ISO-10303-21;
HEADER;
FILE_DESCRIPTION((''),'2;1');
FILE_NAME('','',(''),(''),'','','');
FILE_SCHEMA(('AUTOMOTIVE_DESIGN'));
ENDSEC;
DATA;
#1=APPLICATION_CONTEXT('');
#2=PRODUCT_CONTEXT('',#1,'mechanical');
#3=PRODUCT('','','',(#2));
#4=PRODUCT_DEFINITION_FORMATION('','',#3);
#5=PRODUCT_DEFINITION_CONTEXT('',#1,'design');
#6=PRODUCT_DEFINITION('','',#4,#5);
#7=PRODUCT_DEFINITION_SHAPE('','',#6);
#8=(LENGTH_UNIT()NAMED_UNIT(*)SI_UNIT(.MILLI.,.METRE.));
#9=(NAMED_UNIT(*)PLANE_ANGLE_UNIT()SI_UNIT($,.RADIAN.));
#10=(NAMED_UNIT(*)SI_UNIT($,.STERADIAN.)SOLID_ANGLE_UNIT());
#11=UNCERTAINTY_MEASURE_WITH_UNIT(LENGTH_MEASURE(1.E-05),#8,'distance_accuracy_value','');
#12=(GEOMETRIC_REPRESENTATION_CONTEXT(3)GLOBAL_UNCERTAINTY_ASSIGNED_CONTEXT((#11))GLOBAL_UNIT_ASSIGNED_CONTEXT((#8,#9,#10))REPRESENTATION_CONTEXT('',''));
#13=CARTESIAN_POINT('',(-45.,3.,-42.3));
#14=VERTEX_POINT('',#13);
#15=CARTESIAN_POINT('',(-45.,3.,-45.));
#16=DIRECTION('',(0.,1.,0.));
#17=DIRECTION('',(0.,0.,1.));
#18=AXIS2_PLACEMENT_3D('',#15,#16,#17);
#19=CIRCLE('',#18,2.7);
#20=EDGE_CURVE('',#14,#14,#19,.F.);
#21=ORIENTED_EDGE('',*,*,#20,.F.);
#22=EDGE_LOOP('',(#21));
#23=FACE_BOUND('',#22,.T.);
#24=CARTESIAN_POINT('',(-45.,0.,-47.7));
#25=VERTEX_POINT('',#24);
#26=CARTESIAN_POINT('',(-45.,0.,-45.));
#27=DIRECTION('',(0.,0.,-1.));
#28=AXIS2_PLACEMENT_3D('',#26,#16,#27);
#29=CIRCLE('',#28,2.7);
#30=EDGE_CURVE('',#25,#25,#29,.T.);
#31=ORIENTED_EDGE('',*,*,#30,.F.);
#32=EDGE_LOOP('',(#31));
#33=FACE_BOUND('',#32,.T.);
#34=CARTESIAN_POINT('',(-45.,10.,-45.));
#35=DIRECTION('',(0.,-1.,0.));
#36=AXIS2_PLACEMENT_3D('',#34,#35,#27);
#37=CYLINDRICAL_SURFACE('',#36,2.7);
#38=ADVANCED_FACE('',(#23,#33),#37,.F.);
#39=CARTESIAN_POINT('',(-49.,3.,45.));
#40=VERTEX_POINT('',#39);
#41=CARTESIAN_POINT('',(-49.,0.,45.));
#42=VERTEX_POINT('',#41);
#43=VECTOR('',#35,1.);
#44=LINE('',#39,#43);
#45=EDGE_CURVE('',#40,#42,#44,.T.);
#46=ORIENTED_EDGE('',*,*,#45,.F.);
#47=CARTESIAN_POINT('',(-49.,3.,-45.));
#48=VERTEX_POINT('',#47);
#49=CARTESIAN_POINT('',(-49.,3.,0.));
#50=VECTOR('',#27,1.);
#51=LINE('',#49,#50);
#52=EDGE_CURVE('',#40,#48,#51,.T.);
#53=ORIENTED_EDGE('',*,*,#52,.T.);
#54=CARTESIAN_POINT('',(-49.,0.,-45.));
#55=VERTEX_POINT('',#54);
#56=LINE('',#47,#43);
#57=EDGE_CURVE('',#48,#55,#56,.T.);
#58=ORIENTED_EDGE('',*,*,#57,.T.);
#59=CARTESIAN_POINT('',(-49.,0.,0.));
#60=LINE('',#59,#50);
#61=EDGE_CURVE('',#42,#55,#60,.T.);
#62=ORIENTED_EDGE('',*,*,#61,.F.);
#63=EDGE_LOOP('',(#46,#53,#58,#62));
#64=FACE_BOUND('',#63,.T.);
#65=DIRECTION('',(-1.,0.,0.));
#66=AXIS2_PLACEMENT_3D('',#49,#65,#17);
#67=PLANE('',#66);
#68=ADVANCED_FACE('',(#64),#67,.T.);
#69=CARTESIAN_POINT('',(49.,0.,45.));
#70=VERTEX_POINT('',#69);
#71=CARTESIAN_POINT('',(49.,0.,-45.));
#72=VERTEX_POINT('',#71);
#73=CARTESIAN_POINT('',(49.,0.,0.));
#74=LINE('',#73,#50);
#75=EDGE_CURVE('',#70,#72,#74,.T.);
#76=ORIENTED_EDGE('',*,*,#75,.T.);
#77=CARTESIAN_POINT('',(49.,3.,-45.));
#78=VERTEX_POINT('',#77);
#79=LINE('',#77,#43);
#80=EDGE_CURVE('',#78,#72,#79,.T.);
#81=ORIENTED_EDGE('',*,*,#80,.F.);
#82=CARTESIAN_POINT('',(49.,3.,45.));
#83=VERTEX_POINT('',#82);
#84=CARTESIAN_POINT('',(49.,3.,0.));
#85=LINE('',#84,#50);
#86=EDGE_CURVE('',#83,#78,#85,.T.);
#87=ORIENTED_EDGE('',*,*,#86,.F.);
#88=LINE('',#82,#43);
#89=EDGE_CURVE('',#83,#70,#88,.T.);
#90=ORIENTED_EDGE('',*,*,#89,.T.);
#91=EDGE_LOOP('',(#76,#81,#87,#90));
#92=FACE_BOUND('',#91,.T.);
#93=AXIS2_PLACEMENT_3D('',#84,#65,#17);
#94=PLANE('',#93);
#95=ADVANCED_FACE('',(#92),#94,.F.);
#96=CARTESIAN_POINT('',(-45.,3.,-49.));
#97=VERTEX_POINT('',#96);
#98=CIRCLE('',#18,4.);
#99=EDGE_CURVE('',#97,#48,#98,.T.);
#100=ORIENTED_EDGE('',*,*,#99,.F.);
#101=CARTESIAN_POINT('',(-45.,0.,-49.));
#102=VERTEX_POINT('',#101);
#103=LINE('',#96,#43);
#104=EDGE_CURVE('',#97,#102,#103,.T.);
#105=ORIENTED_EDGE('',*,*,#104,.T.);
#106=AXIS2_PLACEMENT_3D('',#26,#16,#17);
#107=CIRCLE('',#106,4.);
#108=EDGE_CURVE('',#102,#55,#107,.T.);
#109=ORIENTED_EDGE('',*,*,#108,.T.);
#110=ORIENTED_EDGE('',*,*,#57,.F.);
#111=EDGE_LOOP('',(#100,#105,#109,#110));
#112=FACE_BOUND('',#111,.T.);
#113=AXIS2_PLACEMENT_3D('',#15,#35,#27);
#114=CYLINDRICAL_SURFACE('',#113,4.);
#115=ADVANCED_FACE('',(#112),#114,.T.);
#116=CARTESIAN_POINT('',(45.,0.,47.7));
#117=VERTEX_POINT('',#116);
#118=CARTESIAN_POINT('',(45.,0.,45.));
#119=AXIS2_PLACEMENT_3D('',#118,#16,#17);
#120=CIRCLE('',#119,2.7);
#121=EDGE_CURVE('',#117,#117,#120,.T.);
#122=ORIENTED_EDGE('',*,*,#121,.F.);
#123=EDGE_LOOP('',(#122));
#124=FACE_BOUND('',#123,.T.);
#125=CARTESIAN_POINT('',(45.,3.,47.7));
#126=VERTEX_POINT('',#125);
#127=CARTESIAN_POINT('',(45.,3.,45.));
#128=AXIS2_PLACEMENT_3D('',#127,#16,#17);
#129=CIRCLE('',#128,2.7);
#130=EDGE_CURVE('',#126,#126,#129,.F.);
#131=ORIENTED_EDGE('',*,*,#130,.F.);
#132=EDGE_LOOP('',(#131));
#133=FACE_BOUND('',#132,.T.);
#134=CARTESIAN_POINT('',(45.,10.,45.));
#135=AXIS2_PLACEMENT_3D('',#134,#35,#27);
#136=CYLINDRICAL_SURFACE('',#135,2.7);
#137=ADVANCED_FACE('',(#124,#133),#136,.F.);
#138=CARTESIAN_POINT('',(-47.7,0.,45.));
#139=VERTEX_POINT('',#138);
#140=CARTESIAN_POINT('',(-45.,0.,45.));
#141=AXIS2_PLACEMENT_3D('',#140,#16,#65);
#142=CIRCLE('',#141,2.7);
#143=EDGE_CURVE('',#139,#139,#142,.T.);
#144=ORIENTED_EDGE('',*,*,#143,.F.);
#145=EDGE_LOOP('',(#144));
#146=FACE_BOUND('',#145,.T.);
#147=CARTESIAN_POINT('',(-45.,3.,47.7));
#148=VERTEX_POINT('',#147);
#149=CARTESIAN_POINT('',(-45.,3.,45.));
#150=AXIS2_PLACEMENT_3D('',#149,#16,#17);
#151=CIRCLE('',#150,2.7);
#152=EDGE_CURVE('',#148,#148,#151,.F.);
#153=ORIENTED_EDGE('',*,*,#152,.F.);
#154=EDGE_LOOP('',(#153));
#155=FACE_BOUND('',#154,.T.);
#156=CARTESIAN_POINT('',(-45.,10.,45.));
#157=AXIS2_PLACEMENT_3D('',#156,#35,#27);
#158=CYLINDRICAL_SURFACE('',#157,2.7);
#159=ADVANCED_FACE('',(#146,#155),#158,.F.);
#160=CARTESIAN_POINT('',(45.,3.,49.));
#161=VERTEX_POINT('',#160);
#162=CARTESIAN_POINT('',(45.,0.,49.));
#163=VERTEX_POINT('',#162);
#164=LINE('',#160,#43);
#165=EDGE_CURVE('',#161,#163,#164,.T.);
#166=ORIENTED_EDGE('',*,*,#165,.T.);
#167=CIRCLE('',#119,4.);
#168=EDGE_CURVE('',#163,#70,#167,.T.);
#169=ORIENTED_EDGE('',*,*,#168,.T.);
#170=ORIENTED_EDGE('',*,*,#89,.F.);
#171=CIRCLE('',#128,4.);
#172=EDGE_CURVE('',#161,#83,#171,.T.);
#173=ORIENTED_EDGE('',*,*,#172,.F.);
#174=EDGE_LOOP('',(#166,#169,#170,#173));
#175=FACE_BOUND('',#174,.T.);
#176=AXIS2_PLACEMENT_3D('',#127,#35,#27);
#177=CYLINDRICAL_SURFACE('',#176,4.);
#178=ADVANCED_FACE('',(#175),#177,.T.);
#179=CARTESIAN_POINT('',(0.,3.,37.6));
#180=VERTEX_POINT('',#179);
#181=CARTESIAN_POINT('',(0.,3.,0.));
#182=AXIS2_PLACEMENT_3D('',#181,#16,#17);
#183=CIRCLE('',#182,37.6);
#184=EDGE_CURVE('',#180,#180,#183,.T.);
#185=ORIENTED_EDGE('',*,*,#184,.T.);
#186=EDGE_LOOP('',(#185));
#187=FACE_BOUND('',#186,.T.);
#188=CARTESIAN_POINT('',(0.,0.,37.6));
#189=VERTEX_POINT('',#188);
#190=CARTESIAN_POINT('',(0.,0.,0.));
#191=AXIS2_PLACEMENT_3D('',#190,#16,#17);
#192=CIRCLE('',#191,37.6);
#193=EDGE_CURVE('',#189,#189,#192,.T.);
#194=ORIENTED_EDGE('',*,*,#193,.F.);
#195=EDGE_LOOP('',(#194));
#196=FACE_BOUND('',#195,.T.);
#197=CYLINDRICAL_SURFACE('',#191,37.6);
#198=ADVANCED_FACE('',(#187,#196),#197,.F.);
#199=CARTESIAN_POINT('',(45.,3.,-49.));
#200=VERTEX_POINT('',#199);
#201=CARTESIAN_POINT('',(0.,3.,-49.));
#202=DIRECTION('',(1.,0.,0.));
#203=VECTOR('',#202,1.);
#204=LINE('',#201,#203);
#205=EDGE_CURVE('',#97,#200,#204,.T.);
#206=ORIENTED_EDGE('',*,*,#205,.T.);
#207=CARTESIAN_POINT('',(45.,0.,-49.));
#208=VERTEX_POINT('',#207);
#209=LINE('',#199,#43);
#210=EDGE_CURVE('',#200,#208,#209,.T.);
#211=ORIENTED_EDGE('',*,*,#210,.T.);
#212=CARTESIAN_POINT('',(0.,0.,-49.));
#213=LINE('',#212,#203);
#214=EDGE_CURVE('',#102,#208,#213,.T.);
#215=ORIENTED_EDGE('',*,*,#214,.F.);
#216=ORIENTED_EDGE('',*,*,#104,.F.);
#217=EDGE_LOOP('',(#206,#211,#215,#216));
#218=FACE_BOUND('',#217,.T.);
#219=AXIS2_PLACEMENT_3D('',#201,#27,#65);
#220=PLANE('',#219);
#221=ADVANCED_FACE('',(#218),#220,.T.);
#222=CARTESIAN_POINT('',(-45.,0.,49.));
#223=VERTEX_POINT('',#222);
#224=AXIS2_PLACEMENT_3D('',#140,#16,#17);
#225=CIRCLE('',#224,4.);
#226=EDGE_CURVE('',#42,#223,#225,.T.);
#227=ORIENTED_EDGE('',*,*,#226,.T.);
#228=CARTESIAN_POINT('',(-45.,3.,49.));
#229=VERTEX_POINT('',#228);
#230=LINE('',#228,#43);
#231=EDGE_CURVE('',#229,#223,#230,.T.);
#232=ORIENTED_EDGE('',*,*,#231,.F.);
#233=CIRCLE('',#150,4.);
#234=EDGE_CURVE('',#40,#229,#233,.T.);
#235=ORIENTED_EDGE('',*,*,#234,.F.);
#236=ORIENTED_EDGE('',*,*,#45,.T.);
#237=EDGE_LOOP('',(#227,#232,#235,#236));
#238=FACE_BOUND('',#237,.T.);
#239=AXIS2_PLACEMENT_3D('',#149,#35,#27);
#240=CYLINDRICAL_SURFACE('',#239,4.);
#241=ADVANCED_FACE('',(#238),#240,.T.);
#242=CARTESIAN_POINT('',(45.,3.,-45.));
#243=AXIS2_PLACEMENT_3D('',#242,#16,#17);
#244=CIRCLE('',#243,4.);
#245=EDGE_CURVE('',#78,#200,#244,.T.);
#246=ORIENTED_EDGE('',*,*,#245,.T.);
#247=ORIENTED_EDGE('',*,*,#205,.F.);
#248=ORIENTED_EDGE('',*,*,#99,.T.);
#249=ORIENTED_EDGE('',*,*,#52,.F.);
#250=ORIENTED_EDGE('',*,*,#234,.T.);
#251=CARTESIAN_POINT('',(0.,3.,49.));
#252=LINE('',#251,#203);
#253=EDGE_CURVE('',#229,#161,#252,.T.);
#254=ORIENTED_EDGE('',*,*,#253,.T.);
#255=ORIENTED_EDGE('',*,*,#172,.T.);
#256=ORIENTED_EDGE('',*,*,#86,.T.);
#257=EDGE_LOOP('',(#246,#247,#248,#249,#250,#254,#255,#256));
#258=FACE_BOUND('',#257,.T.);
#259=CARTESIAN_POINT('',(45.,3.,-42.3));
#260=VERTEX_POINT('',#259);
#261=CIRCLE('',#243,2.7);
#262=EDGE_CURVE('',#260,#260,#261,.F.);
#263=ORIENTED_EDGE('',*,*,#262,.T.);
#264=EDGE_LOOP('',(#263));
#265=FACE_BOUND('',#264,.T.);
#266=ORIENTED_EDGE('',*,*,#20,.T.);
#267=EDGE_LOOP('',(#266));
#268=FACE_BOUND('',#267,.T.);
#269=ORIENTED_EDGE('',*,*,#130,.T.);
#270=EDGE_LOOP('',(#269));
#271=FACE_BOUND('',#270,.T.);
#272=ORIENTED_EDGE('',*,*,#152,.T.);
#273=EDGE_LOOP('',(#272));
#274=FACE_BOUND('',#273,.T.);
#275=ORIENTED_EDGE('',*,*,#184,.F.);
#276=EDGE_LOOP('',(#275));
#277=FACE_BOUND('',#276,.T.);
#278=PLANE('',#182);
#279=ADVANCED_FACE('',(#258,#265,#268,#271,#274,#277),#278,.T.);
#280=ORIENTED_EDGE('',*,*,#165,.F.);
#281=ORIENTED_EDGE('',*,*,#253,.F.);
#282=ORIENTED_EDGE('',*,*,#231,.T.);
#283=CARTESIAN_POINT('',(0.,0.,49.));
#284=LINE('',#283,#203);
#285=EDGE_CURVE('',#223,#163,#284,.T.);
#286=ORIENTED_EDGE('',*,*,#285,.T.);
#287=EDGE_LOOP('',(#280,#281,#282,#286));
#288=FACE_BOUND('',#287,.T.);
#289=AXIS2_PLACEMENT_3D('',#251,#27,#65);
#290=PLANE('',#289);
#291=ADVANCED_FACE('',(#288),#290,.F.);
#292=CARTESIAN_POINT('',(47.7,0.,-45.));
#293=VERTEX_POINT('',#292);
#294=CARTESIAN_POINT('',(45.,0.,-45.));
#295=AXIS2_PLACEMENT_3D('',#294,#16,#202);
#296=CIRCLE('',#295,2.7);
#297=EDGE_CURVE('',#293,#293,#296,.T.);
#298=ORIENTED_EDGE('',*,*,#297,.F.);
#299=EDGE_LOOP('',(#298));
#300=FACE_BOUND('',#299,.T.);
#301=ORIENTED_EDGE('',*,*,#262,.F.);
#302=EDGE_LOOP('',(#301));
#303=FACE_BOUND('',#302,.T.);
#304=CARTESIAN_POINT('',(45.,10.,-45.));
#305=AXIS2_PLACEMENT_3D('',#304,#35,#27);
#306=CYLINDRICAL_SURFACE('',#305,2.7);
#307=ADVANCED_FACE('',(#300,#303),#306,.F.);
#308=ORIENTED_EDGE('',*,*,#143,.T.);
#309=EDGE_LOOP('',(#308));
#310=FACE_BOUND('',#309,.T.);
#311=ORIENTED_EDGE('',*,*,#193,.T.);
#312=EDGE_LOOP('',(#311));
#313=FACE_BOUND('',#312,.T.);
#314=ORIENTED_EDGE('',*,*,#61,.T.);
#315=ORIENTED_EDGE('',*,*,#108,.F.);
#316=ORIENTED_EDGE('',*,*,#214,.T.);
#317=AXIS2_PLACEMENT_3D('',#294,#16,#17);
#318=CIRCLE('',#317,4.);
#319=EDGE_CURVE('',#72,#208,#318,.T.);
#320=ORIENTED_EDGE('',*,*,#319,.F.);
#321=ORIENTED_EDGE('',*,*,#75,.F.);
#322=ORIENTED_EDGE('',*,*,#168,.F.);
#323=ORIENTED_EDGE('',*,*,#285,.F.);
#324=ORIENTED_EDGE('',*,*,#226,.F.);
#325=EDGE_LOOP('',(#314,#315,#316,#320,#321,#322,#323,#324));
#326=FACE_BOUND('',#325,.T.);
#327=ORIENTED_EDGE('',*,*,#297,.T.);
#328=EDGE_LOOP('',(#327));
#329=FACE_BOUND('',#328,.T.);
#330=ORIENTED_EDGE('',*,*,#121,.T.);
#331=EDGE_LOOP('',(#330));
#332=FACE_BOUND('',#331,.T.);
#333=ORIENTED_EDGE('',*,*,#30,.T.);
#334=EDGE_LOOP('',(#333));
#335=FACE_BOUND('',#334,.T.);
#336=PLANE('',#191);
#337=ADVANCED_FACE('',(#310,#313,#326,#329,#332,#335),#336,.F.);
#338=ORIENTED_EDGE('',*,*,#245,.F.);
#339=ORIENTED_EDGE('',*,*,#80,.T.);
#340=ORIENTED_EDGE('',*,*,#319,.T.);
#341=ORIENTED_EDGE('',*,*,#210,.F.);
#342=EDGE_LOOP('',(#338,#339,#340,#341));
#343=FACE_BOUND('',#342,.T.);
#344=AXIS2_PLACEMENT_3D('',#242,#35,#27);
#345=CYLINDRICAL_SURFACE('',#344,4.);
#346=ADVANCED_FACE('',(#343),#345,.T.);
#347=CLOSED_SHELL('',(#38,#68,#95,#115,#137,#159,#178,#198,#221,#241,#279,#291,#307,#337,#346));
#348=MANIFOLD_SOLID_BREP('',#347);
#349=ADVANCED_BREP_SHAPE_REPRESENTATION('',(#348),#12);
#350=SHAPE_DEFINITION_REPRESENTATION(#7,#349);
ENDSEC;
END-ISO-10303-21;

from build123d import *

# Parameters (mm, degrees)
EXTRUDE_1_DEPTH          = 3
SKETCH_2_R               = 37.6
CUT_EXTRUDE_1_DEPTH      = 3
SKETCH_1_4_R             = 2.7
CUT_EXTRUDE_5_DEPTH      = 10
PATTERN_CIRCULAR_2_COUNT = 4


with BuildPart() as part:
    # Эскиз1 → Бобышка-Вытянуть1 (new body)
    with BuildSketch(Plane(origin=(0, 0, 0), x_dir=(1, 0, 0), z_dir=(0, 1, 0))):
        with BuildLine():
            Line((-49, 45), (-49, -45))
            ThreePointArc((-49, -45), (-47.828427125, -47.828427125), (-45, -49))
            Line((-45, -49), (45, -49))
            ThreePointArc((45, -49), (47.828427125, -47.828427125), (49, -45))
            Line((49, -45), (49, 45))
            ThreePointArc((49, 45), (47.828427125, 47.828427125), (45, 49))
            Line((45, 49), (-45, 49))
            ThreePointArc((-45, 49), (-47.828427125, 47.828427125), (-49, 45))
        make_face()
    extrude(amount=EXTRUDE_1_DEPTH)

    # Эскиз2 → Вырез-Вытянуть1 (cut)
    with BuildSketch(Plane(origin=(0, 3, 0), x_dir=(1, 0, 0), z_dir=(0, 1, 0))):
        Circle(SKETCH_2_R)
    extrude(amount=-CUT_EXTRUDE_1_DEPTH, mode=Mode.SUBTRACT)

    # Эскиз1<4> → Вырез-Вытянуть5 (cut)
    with BuildSketch(Plane(origin=(0, 0, 0), x_dir=(1, 0, 0), z_dir=(0, 1, 0))):
        with Locations((45, -45)):
            Circle(SKETCH_1_4_R)
    cut_extrude_5 = extrude(amount=CUT_EXTRUDE_5_DEPTH, mode=Mode.SUBTRACT)

    # Круговой массив2: Вырез-Вытянуть5 ×4 about axis
    pattern_circular_2_axis = Axis((0, 0, 0), (0, 1, 0))
    for i in range(1, PATTERN_CIRCULAR_2_COUNT):
        add(cut_extrude_5.rotate(pattern_circular_2_axis, i * 360 / PATTERN_CIRCULAR_2_COUNT), mode=Mode.SUBTRACT)


solid = part.part
